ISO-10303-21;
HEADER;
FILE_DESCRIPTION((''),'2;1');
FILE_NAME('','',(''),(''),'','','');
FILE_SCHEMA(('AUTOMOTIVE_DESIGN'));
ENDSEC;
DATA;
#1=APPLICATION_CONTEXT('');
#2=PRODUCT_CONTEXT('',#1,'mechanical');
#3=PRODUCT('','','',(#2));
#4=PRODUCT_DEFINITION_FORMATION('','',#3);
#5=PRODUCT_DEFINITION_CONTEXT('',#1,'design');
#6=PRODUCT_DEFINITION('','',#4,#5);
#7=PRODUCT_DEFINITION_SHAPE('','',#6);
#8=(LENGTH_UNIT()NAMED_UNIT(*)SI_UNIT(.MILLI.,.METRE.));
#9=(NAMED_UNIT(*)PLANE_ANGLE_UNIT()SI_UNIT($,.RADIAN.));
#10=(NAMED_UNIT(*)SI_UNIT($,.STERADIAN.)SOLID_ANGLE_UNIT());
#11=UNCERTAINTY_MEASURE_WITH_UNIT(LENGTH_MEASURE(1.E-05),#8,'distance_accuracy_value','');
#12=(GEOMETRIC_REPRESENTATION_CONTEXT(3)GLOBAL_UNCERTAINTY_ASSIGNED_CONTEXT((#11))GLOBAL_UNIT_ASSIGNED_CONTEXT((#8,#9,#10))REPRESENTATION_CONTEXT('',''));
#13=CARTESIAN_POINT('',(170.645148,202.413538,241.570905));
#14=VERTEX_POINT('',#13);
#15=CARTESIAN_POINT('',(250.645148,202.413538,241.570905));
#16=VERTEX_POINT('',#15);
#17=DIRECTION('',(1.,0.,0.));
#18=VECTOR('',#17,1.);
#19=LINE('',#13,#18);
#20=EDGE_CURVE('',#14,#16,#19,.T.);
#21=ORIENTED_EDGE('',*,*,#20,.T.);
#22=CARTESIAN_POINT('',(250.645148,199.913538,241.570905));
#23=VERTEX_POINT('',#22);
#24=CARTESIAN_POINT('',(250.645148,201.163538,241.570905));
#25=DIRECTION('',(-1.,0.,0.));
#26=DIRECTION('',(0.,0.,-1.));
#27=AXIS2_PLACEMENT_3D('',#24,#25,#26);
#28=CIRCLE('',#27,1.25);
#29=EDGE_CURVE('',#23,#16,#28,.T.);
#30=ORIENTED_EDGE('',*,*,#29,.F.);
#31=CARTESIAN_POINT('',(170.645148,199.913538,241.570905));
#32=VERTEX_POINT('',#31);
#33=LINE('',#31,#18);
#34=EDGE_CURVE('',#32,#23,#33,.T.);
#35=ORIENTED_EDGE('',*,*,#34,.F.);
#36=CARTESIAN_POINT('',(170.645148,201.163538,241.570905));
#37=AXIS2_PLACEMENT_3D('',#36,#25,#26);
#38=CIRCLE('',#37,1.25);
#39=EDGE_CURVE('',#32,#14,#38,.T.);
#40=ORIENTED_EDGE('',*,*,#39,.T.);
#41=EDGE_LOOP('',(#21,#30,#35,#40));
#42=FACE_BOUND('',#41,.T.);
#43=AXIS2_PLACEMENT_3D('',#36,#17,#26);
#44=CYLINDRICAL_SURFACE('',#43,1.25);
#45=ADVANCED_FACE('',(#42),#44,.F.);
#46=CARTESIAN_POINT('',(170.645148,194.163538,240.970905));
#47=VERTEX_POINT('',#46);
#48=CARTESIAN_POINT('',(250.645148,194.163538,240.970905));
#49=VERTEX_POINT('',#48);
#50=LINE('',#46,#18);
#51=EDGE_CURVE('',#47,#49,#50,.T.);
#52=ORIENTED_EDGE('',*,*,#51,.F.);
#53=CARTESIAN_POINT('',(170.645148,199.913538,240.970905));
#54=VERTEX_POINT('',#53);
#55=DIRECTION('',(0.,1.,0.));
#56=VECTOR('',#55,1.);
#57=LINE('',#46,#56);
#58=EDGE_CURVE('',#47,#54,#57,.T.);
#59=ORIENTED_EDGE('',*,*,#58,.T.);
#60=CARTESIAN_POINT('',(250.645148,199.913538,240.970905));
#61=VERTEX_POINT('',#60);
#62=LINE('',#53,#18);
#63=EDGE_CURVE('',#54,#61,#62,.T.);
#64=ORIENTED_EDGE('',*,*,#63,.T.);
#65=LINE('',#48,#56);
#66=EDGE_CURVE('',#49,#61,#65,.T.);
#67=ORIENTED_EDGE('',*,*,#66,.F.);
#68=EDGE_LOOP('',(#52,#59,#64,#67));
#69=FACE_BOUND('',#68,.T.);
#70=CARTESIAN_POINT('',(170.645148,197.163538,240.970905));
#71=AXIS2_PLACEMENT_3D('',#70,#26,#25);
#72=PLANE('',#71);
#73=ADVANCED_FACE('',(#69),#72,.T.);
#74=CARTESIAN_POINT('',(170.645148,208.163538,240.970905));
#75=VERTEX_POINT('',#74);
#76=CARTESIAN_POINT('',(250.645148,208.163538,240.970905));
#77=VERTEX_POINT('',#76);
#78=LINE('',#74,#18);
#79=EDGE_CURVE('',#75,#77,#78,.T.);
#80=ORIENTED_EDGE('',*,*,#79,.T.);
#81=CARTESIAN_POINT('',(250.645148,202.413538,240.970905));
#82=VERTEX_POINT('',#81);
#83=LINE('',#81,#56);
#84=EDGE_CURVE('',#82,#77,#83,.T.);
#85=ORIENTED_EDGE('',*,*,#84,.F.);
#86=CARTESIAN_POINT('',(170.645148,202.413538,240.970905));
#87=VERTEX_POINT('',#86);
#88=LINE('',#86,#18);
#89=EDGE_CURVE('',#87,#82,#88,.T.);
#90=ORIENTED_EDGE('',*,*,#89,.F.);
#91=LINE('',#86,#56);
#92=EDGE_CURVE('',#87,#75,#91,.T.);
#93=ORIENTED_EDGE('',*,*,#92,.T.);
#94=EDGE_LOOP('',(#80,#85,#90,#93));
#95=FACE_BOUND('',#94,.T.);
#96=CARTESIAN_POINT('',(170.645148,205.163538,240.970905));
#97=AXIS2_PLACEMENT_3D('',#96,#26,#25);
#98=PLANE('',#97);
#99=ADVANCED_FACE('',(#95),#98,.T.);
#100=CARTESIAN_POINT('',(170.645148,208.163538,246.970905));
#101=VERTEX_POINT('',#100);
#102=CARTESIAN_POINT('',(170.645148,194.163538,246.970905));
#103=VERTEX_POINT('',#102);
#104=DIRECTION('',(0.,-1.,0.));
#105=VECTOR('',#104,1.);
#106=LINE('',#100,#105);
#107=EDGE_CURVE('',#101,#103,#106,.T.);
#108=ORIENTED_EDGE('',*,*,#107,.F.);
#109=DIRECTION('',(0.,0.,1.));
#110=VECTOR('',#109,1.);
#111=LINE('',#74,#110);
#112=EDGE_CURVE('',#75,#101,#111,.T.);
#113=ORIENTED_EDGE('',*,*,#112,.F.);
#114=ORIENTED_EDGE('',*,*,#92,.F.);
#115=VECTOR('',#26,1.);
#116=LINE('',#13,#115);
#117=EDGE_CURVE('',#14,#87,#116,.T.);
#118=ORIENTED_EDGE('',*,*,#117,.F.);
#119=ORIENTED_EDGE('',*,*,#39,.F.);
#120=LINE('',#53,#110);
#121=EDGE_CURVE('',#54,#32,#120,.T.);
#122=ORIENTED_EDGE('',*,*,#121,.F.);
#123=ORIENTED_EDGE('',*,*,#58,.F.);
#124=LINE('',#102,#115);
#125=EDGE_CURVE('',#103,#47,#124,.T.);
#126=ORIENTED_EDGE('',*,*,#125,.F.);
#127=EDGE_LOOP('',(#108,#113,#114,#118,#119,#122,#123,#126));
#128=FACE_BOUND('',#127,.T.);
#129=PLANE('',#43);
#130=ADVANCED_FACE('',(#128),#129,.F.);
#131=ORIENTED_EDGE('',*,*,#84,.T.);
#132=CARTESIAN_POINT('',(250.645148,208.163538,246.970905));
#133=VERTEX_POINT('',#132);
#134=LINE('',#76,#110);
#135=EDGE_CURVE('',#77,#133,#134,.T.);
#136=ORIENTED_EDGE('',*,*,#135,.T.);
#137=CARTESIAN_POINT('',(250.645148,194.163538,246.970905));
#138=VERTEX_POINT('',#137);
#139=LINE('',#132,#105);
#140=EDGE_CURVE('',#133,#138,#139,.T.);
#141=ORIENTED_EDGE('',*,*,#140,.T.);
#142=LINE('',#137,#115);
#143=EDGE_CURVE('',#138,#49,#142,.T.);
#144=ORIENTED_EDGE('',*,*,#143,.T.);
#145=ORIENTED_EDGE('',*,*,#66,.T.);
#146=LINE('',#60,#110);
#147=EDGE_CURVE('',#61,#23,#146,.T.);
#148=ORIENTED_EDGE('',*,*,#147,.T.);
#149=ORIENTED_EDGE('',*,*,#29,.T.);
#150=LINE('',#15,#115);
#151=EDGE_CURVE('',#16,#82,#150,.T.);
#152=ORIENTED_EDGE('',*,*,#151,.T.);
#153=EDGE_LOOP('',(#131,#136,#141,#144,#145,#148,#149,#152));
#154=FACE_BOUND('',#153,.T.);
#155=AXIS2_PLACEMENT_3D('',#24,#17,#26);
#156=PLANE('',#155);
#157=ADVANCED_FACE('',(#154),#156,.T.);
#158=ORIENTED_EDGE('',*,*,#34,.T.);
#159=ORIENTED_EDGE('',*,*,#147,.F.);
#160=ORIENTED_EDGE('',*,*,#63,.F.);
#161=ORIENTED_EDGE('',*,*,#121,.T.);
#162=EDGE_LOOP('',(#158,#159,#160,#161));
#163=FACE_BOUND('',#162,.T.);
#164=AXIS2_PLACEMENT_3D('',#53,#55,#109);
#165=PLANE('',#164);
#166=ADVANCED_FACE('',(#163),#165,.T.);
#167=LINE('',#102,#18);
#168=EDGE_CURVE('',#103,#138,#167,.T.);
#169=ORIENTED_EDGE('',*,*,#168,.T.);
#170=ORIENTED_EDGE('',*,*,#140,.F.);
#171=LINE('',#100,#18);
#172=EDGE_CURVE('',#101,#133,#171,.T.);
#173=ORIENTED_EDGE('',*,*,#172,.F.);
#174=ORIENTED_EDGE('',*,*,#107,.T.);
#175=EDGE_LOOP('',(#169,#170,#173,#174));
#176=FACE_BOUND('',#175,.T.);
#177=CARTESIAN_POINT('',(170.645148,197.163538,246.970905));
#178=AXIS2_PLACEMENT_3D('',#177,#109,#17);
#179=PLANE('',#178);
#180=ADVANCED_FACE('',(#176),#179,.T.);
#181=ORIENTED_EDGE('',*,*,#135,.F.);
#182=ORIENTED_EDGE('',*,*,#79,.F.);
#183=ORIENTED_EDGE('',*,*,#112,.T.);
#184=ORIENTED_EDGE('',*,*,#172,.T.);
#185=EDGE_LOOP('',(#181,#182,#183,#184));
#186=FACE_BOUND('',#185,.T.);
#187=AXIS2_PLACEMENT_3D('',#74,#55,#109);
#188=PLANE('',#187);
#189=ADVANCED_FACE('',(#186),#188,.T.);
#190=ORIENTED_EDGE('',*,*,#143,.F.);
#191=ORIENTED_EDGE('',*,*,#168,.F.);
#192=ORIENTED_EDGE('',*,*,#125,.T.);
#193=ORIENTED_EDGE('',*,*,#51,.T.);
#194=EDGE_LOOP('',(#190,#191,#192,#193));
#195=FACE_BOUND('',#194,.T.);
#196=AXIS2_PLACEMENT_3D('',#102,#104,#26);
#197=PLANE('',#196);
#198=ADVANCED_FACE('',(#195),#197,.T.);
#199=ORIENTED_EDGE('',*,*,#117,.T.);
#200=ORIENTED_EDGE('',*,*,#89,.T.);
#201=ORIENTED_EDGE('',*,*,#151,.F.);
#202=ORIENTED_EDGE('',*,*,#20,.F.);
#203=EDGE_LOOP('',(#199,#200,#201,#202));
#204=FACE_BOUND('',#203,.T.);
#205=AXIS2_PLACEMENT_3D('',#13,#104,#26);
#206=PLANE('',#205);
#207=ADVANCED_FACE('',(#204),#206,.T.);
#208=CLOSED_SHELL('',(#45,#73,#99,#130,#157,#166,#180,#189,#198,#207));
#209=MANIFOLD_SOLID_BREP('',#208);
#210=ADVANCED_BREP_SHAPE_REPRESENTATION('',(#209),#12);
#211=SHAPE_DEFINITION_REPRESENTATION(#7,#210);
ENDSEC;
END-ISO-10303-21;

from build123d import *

# Parameters (mm, degrees)
BOSS_EXTRUDE1_DEPTH      = 60
BOSS_EXTRUDE1_DEPTH_BACK = 20


with BuildPart() as part:
    # Sketch1 → Boss-Extrude1 (new, two sides: drawn at the far end of the back side and taken through both)
    with BuildSketch(Plane(origin=(190.645148, 0, 0), x_dir=(0, 0, -1), z_dir=(1, 0, 0)).offset(-BOSS_EXTRUDE1_DEPTH_BACK)):
        with BuildLine():
            Line((-246.970904961, 208.163538159), (-246.970904961, 205.163538159))
            Line((-246.970904961, 205.163538159), (-246.970904961, 197.163538159))
            Line((-246.970904961, 197.163538159), (-246.970904961, 194.163538159))
            Line((-246.970904961, 194.163538159), (-240.970904961, 194.163538159))
            Line((-240.970904961, 194.163538159), (-240.970904961, 197.163538159))
            Line((-240.970904961, 197.163538159), (-240.970904961, 199.913538158))
            Line((-240.970904961, 199.913538158), (-241.570904961, 199.913538158))
            ThreePointArc((-241.570904961, 199.913538158), (-242.820904961, 201.163538162), (-241.570904955, 202.413538158))
            Line((-241.570904955, 202.413538158), (-240.970904961, 202.413538158))
            Line((-240.970904961, 202.413538158), (-240.970904961, 205.163538159))
            Line((-240.970904961, 205.163538159), (-240.970904961, 208.163538159))
            Line((-240.970904961, 208.163538159), (-246.970904961, 208.163538159))
        make_face()
    extrude(amount=BOSS_EXTRUDE1_DEPTH + BOSS_EXTRUDE1_DEPTH_BACK)


solid = part.part
